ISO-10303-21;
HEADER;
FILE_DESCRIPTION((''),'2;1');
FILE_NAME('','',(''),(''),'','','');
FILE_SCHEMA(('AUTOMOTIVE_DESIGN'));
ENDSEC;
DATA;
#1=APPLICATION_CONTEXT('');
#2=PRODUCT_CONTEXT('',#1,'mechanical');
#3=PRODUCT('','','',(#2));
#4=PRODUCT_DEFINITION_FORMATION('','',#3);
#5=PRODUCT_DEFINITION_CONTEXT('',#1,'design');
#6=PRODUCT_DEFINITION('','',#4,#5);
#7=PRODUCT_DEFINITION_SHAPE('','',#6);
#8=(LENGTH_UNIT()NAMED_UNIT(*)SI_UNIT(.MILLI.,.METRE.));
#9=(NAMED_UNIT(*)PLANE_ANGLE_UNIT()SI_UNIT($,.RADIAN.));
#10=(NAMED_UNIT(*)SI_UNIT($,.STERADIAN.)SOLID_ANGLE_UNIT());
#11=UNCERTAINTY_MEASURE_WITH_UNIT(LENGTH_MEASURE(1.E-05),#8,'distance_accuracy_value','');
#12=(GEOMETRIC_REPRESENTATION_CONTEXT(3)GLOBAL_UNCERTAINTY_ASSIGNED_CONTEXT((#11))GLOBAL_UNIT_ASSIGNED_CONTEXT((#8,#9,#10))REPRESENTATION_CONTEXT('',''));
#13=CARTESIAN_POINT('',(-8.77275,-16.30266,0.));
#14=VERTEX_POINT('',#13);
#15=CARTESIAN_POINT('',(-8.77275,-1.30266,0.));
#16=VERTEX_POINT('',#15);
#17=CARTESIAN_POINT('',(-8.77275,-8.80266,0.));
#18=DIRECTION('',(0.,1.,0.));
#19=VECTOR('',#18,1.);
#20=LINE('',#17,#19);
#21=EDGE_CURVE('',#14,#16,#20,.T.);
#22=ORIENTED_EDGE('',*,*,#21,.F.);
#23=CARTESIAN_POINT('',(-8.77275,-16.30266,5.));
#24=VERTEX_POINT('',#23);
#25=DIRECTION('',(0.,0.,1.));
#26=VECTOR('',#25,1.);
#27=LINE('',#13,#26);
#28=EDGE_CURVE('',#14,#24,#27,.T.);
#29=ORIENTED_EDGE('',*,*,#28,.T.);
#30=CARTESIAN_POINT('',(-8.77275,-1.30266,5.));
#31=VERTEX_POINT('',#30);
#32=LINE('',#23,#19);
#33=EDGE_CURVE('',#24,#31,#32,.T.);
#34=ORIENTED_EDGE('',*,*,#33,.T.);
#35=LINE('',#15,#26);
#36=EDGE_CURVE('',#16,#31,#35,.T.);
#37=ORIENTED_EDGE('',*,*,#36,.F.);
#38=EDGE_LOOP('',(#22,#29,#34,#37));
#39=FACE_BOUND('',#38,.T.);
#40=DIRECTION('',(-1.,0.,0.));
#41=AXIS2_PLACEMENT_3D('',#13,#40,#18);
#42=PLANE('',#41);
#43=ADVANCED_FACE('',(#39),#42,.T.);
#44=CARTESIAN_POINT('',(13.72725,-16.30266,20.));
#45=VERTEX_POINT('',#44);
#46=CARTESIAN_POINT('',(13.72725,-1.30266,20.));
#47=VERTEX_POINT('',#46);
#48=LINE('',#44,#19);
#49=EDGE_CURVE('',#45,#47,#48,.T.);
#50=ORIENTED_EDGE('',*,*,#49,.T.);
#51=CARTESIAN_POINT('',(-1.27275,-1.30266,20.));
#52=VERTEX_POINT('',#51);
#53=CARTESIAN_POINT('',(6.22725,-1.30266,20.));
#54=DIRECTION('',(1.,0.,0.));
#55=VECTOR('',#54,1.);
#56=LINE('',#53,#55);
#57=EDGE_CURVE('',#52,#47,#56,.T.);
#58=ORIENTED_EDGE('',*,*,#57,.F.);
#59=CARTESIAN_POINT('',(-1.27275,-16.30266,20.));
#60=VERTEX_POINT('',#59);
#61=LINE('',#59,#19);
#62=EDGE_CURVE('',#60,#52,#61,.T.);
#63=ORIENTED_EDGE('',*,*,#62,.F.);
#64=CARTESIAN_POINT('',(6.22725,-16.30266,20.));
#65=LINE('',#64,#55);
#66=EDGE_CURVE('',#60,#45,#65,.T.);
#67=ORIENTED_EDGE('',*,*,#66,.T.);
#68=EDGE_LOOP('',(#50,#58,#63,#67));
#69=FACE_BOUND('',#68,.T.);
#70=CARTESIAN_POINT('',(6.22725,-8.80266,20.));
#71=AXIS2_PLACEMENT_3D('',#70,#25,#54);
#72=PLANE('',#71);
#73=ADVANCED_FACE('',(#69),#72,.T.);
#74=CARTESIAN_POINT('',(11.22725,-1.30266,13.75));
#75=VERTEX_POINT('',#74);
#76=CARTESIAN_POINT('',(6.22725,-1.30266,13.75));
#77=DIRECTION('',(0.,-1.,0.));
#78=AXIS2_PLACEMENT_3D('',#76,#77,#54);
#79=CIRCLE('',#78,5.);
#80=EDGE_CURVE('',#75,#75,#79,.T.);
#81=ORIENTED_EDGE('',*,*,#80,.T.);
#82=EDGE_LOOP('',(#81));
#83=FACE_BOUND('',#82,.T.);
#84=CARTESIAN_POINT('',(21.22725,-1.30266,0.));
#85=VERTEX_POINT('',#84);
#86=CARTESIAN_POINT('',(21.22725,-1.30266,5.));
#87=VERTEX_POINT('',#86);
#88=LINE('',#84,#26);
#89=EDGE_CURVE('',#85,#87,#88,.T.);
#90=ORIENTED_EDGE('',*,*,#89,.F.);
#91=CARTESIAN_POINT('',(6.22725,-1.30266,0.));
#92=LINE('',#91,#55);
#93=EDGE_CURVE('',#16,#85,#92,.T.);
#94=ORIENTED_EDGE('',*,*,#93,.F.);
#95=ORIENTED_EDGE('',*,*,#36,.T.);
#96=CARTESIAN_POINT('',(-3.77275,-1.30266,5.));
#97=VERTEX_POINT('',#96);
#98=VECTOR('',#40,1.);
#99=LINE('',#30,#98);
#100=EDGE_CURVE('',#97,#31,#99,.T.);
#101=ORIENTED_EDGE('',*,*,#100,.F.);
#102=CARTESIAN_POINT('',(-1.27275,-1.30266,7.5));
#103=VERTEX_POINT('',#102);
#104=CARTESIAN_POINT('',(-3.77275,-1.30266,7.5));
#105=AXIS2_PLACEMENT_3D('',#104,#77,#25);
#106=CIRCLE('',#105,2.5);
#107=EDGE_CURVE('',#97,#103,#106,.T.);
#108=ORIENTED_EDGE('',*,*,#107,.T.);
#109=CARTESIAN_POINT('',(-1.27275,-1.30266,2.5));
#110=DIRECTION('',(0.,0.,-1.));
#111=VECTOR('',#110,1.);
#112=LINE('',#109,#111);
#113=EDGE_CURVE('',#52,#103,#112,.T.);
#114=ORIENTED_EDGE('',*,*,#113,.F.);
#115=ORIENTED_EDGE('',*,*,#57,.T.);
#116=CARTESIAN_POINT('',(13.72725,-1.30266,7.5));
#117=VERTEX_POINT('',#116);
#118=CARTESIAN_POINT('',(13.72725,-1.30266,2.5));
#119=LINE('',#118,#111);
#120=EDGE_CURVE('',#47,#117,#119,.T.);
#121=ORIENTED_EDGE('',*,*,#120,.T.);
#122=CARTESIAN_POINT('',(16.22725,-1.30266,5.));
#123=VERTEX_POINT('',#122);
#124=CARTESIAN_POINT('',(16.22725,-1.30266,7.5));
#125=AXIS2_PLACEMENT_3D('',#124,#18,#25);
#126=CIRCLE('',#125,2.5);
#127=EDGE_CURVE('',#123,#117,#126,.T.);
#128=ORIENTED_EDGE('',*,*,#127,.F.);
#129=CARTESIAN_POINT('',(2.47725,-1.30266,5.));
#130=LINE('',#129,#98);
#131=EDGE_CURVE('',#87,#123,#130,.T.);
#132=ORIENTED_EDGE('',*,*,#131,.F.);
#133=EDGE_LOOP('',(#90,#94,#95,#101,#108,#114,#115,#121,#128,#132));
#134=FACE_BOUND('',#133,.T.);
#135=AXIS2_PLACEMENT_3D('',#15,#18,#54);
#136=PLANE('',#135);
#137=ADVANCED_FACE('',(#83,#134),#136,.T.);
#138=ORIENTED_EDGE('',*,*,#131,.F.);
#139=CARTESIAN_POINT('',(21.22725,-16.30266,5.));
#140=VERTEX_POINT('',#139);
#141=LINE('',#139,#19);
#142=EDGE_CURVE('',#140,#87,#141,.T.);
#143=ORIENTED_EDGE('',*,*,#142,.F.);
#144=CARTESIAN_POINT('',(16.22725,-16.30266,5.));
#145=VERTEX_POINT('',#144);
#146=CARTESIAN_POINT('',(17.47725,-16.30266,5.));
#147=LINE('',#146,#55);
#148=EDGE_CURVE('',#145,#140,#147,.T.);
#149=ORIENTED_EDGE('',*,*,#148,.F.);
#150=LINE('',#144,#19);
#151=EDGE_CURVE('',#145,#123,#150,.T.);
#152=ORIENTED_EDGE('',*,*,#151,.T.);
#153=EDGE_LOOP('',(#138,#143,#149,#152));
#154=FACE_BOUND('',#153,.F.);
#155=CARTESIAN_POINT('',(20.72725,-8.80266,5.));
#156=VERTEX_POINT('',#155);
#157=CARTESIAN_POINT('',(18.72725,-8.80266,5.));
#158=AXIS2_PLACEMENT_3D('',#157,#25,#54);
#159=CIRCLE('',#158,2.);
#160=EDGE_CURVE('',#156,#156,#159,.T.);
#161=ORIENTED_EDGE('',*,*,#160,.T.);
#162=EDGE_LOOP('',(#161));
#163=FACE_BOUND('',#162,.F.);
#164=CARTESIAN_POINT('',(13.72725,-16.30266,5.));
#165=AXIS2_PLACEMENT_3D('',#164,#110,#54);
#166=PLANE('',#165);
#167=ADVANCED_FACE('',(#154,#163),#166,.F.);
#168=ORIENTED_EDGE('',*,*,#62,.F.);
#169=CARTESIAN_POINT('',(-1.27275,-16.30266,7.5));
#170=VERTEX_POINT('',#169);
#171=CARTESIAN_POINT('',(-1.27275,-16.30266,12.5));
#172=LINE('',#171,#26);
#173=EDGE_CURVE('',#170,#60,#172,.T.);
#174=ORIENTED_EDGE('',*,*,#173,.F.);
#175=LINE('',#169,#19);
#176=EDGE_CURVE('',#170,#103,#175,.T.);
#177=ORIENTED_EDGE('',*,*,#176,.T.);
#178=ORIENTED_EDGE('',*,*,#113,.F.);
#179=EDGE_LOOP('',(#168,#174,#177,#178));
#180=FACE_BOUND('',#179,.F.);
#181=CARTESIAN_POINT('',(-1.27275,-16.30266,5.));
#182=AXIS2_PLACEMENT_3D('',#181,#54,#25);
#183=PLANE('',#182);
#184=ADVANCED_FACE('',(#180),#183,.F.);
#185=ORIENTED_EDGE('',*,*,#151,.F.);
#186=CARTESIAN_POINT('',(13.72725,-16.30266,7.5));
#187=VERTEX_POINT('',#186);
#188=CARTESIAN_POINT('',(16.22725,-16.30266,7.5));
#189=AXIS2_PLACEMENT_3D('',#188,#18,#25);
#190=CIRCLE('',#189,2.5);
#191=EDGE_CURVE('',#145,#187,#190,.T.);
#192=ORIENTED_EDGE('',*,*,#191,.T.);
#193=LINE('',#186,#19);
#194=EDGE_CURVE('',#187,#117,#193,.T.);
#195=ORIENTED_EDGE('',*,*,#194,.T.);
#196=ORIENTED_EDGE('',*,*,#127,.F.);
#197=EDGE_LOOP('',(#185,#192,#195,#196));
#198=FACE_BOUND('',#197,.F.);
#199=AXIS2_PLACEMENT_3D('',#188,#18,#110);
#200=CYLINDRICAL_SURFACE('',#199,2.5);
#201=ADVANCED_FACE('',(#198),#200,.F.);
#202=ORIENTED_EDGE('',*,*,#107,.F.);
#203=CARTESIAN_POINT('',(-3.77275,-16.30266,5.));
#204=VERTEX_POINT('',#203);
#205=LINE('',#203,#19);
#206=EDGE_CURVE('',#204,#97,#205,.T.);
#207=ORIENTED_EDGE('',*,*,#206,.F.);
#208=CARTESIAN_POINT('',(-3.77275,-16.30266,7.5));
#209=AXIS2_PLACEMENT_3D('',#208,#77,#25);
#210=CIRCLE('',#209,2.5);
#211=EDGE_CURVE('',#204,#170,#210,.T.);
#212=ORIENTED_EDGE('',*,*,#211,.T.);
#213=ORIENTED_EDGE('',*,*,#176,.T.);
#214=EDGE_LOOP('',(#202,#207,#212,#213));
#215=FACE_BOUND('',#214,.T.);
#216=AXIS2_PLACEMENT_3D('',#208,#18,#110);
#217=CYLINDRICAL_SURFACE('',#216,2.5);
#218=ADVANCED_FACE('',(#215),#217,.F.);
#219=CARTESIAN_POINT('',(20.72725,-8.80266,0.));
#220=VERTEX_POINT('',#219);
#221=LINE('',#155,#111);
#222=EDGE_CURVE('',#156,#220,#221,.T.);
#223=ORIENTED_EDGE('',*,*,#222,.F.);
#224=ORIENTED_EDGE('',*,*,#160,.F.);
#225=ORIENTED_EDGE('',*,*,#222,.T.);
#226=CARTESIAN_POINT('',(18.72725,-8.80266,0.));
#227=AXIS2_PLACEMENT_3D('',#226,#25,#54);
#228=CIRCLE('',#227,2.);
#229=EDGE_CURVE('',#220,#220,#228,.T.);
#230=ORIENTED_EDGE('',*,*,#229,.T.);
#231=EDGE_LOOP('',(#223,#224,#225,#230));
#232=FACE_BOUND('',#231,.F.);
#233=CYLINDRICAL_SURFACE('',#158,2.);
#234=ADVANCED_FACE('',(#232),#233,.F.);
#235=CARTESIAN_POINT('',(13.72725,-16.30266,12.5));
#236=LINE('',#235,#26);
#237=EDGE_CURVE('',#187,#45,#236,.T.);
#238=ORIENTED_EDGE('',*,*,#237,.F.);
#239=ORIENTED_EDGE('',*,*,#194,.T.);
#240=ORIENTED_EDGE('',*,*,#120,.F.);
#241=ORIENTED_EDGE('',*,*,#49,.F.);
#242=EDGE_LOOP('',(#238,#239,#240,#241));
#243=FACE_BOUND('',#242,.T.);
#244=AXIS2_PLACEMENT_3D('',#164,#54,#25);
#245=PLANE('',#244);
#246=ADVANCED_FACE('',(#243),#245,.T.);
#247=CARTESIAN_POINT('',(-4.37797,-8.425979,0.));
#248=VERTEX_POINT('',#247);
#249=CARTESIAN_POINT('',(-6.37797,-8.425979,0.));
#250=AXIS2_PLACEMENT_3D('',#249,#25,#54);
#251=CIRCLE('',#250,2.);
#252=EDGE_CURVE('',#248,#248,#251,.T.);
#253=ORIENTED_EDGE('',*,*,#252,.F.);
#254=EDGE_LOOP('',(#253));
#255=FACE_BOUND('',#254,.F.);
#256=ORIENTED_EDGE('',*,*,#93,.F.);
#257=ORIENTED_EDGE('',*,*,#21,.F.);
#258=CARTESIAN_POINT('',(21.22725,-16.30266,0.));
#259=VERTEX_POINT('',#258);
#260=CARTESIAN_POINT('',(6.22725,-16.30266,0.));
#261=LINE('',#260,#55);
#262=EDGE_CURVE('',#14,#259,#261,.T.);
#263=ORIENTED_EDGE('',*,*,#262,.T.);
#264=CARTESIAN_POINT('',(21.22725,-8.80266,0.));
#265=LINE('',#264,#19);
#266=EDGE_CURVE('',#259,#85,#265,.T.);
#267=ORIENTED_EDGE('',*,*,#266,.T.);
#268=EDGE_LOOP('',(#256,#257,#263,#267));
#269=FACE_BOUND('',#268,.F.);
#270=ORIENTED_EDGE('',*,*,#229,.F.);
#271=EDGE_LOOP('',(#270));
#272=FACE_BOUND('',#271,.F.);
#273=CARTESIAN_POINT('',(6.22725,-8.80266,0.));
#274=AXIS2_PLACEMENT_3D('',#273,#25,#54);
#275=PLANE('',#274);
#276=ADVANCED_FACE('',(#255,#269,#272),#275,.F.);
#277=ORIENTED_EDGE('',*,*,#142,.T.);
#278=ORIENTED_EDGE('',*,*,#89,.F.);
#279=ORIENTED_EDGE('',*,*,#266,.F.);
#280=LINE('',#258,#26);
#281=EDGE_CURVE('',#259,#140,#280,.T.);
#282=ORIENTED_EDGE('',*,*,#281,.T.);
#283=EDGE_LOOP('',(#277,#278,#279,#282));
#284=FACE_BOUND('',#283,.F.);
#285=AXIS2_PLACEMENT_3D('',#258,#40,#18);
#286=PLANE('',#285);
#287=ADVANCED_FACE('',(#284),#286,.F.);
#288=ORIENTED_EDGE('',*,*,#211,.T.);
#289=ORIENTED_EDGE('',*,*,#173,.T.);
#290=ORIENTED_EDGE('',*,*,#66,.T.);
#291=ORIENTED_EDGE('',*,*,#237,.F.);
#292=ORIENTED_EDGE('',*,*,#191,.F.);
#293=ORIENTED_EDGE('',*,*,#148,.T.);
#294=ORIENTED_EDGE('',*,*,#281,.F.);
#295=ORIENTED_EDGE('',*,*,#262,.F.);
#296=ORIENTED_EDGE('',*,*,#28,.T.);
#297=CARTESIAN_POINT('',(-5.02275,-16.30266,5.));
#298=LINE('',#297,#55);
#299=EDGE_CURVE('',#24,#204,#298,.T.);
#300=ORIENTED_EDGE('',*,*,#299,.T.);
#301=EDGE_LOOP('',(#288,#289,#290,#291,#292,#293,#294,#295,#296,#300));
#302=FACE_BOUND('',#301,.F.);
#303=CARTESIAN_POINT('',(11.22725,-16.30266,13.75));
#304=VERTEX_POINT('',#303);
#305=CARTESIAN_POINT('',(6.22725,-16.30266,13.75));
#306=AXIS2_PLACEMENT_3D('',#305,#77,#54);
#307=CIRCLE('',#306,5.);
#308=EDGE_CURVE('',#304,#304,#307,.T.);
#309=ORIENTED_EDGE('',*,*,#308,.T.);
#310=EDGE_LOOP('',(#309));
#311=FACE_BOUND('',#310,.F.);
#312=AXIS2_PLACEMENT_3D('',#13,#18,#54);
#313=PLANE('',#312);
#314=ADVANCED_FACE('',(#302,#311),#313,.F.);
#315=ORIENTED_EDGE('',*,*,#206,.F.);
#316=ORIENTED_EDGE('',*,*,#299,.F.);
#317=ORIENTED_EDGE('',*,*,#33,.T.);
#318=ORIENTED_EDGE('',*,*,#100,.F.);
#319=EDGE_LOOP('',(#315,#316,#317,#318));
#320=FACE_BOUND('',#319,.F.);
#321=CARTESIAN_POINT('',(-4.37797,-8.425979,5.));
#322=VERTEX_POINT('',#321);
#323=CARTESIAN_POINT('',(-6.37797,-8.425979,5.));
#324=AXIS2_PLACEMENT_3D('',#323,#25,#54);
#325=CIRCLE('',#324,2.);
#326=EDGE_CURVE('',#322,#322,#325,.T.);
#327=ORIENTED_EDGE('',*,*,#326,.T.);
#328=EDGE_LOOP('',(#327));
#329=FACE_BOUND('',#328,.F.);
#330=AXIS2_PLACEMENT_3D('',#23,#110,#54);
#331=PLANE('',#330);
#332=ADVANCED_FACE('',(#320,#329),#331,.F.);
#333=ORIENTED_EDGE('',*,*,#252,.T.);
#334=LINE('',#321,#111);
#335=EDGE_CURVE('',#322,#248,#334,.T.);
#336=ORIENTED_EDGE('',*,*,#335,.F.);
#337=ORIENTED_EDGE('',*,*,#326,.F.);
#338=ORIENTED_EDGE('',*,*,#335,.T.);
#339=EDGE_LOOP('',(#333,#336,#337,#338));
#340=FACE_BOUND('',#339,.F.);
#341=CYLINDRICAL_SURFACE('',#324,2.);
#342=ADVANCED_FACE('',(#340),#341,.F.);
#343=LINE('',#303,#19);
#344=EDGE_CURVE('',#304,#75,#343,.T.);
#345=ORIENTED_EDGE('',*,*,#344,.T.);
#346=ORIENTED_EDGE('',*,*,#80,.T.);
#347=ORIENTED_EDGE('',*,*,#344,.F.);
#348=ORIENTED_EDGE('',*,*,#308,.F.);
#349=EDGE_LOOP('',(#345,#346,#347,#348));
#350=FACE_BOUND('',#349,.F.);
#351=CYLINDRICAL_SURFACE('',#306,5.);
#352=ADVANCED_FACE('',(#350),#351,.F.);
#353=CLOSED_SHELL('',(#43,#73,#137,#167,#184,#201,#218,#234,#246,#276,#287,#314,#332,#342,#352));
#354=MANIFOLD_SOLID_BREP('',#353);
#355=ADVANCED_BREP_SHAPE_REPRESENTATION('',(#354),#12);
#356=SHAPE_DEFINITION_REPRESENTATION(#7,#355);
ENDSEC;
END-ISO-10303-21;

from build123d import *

# Parameters (mm, degrees)
F0_W     = 30
F0_H     = 15
F1_DEPTH = 20
F2_W     = 7.5
F2_H     = 15
F3_DEPTH = 15.001
F4_R     = 2.5
F5_R     = 5
F6_DEPTH = 15.001
F7_R     = 2
F8_DEPTH = 5.001


with BuildPart() as f1:
    # F0 (on Top) → F1 (new body)
    with BuildSketch(Plane.XY):
        with Locations((6.22725, -8.80266)):
            Rectangle(F0_W, F0_H)
    extrude(amount=F1_DEPTH)

    # F2 (on face) → F3 (cut, through all)
    with BuildSketch(Plane.XZ.offset(16.30266)):
        with Locations((-5.02275, 12.5)):
            Rectangle(F2_W, F2_H)
        with Locations((17.47725, 12.5)):
            Rectangle(F2_W, F2_H)
    extrude(amount=-F3_DEPTH, mode=Mode.SUBTRACT)

    # F4
    f4_edges = [f1.edges().sort_by_distance(p)[0] for p in [
        (13.72725, -8.80266, 5),
        (-1.27275, -8.80266, 5),
    ]]
    fillet(f4_edges, radius=F4_R)

    # F5 (on face) → F6 (cut, through all)
    with BuildSketch(Plane.XZ.offset(16.30266)):
        with Locations((6.22725, 13.75)):
            Circle(F5_R)
    extrude(amount=-F6_DEPTH, mode=Mode.SUBTRACT)

    # F7 (on face) → F8 (cut, through all)
    with BuildSketch(Plane.XY.offset(5)):
        with Locations((-6.37797, -8.425979)):
            Circle(F7_R)
        with Locations((18.72725, -8.80266)):
            Circle(F7_R)
    extrude(amount=-F8_DEPTH, mode=Mode.SUBTRACT)


solid = f1.part
